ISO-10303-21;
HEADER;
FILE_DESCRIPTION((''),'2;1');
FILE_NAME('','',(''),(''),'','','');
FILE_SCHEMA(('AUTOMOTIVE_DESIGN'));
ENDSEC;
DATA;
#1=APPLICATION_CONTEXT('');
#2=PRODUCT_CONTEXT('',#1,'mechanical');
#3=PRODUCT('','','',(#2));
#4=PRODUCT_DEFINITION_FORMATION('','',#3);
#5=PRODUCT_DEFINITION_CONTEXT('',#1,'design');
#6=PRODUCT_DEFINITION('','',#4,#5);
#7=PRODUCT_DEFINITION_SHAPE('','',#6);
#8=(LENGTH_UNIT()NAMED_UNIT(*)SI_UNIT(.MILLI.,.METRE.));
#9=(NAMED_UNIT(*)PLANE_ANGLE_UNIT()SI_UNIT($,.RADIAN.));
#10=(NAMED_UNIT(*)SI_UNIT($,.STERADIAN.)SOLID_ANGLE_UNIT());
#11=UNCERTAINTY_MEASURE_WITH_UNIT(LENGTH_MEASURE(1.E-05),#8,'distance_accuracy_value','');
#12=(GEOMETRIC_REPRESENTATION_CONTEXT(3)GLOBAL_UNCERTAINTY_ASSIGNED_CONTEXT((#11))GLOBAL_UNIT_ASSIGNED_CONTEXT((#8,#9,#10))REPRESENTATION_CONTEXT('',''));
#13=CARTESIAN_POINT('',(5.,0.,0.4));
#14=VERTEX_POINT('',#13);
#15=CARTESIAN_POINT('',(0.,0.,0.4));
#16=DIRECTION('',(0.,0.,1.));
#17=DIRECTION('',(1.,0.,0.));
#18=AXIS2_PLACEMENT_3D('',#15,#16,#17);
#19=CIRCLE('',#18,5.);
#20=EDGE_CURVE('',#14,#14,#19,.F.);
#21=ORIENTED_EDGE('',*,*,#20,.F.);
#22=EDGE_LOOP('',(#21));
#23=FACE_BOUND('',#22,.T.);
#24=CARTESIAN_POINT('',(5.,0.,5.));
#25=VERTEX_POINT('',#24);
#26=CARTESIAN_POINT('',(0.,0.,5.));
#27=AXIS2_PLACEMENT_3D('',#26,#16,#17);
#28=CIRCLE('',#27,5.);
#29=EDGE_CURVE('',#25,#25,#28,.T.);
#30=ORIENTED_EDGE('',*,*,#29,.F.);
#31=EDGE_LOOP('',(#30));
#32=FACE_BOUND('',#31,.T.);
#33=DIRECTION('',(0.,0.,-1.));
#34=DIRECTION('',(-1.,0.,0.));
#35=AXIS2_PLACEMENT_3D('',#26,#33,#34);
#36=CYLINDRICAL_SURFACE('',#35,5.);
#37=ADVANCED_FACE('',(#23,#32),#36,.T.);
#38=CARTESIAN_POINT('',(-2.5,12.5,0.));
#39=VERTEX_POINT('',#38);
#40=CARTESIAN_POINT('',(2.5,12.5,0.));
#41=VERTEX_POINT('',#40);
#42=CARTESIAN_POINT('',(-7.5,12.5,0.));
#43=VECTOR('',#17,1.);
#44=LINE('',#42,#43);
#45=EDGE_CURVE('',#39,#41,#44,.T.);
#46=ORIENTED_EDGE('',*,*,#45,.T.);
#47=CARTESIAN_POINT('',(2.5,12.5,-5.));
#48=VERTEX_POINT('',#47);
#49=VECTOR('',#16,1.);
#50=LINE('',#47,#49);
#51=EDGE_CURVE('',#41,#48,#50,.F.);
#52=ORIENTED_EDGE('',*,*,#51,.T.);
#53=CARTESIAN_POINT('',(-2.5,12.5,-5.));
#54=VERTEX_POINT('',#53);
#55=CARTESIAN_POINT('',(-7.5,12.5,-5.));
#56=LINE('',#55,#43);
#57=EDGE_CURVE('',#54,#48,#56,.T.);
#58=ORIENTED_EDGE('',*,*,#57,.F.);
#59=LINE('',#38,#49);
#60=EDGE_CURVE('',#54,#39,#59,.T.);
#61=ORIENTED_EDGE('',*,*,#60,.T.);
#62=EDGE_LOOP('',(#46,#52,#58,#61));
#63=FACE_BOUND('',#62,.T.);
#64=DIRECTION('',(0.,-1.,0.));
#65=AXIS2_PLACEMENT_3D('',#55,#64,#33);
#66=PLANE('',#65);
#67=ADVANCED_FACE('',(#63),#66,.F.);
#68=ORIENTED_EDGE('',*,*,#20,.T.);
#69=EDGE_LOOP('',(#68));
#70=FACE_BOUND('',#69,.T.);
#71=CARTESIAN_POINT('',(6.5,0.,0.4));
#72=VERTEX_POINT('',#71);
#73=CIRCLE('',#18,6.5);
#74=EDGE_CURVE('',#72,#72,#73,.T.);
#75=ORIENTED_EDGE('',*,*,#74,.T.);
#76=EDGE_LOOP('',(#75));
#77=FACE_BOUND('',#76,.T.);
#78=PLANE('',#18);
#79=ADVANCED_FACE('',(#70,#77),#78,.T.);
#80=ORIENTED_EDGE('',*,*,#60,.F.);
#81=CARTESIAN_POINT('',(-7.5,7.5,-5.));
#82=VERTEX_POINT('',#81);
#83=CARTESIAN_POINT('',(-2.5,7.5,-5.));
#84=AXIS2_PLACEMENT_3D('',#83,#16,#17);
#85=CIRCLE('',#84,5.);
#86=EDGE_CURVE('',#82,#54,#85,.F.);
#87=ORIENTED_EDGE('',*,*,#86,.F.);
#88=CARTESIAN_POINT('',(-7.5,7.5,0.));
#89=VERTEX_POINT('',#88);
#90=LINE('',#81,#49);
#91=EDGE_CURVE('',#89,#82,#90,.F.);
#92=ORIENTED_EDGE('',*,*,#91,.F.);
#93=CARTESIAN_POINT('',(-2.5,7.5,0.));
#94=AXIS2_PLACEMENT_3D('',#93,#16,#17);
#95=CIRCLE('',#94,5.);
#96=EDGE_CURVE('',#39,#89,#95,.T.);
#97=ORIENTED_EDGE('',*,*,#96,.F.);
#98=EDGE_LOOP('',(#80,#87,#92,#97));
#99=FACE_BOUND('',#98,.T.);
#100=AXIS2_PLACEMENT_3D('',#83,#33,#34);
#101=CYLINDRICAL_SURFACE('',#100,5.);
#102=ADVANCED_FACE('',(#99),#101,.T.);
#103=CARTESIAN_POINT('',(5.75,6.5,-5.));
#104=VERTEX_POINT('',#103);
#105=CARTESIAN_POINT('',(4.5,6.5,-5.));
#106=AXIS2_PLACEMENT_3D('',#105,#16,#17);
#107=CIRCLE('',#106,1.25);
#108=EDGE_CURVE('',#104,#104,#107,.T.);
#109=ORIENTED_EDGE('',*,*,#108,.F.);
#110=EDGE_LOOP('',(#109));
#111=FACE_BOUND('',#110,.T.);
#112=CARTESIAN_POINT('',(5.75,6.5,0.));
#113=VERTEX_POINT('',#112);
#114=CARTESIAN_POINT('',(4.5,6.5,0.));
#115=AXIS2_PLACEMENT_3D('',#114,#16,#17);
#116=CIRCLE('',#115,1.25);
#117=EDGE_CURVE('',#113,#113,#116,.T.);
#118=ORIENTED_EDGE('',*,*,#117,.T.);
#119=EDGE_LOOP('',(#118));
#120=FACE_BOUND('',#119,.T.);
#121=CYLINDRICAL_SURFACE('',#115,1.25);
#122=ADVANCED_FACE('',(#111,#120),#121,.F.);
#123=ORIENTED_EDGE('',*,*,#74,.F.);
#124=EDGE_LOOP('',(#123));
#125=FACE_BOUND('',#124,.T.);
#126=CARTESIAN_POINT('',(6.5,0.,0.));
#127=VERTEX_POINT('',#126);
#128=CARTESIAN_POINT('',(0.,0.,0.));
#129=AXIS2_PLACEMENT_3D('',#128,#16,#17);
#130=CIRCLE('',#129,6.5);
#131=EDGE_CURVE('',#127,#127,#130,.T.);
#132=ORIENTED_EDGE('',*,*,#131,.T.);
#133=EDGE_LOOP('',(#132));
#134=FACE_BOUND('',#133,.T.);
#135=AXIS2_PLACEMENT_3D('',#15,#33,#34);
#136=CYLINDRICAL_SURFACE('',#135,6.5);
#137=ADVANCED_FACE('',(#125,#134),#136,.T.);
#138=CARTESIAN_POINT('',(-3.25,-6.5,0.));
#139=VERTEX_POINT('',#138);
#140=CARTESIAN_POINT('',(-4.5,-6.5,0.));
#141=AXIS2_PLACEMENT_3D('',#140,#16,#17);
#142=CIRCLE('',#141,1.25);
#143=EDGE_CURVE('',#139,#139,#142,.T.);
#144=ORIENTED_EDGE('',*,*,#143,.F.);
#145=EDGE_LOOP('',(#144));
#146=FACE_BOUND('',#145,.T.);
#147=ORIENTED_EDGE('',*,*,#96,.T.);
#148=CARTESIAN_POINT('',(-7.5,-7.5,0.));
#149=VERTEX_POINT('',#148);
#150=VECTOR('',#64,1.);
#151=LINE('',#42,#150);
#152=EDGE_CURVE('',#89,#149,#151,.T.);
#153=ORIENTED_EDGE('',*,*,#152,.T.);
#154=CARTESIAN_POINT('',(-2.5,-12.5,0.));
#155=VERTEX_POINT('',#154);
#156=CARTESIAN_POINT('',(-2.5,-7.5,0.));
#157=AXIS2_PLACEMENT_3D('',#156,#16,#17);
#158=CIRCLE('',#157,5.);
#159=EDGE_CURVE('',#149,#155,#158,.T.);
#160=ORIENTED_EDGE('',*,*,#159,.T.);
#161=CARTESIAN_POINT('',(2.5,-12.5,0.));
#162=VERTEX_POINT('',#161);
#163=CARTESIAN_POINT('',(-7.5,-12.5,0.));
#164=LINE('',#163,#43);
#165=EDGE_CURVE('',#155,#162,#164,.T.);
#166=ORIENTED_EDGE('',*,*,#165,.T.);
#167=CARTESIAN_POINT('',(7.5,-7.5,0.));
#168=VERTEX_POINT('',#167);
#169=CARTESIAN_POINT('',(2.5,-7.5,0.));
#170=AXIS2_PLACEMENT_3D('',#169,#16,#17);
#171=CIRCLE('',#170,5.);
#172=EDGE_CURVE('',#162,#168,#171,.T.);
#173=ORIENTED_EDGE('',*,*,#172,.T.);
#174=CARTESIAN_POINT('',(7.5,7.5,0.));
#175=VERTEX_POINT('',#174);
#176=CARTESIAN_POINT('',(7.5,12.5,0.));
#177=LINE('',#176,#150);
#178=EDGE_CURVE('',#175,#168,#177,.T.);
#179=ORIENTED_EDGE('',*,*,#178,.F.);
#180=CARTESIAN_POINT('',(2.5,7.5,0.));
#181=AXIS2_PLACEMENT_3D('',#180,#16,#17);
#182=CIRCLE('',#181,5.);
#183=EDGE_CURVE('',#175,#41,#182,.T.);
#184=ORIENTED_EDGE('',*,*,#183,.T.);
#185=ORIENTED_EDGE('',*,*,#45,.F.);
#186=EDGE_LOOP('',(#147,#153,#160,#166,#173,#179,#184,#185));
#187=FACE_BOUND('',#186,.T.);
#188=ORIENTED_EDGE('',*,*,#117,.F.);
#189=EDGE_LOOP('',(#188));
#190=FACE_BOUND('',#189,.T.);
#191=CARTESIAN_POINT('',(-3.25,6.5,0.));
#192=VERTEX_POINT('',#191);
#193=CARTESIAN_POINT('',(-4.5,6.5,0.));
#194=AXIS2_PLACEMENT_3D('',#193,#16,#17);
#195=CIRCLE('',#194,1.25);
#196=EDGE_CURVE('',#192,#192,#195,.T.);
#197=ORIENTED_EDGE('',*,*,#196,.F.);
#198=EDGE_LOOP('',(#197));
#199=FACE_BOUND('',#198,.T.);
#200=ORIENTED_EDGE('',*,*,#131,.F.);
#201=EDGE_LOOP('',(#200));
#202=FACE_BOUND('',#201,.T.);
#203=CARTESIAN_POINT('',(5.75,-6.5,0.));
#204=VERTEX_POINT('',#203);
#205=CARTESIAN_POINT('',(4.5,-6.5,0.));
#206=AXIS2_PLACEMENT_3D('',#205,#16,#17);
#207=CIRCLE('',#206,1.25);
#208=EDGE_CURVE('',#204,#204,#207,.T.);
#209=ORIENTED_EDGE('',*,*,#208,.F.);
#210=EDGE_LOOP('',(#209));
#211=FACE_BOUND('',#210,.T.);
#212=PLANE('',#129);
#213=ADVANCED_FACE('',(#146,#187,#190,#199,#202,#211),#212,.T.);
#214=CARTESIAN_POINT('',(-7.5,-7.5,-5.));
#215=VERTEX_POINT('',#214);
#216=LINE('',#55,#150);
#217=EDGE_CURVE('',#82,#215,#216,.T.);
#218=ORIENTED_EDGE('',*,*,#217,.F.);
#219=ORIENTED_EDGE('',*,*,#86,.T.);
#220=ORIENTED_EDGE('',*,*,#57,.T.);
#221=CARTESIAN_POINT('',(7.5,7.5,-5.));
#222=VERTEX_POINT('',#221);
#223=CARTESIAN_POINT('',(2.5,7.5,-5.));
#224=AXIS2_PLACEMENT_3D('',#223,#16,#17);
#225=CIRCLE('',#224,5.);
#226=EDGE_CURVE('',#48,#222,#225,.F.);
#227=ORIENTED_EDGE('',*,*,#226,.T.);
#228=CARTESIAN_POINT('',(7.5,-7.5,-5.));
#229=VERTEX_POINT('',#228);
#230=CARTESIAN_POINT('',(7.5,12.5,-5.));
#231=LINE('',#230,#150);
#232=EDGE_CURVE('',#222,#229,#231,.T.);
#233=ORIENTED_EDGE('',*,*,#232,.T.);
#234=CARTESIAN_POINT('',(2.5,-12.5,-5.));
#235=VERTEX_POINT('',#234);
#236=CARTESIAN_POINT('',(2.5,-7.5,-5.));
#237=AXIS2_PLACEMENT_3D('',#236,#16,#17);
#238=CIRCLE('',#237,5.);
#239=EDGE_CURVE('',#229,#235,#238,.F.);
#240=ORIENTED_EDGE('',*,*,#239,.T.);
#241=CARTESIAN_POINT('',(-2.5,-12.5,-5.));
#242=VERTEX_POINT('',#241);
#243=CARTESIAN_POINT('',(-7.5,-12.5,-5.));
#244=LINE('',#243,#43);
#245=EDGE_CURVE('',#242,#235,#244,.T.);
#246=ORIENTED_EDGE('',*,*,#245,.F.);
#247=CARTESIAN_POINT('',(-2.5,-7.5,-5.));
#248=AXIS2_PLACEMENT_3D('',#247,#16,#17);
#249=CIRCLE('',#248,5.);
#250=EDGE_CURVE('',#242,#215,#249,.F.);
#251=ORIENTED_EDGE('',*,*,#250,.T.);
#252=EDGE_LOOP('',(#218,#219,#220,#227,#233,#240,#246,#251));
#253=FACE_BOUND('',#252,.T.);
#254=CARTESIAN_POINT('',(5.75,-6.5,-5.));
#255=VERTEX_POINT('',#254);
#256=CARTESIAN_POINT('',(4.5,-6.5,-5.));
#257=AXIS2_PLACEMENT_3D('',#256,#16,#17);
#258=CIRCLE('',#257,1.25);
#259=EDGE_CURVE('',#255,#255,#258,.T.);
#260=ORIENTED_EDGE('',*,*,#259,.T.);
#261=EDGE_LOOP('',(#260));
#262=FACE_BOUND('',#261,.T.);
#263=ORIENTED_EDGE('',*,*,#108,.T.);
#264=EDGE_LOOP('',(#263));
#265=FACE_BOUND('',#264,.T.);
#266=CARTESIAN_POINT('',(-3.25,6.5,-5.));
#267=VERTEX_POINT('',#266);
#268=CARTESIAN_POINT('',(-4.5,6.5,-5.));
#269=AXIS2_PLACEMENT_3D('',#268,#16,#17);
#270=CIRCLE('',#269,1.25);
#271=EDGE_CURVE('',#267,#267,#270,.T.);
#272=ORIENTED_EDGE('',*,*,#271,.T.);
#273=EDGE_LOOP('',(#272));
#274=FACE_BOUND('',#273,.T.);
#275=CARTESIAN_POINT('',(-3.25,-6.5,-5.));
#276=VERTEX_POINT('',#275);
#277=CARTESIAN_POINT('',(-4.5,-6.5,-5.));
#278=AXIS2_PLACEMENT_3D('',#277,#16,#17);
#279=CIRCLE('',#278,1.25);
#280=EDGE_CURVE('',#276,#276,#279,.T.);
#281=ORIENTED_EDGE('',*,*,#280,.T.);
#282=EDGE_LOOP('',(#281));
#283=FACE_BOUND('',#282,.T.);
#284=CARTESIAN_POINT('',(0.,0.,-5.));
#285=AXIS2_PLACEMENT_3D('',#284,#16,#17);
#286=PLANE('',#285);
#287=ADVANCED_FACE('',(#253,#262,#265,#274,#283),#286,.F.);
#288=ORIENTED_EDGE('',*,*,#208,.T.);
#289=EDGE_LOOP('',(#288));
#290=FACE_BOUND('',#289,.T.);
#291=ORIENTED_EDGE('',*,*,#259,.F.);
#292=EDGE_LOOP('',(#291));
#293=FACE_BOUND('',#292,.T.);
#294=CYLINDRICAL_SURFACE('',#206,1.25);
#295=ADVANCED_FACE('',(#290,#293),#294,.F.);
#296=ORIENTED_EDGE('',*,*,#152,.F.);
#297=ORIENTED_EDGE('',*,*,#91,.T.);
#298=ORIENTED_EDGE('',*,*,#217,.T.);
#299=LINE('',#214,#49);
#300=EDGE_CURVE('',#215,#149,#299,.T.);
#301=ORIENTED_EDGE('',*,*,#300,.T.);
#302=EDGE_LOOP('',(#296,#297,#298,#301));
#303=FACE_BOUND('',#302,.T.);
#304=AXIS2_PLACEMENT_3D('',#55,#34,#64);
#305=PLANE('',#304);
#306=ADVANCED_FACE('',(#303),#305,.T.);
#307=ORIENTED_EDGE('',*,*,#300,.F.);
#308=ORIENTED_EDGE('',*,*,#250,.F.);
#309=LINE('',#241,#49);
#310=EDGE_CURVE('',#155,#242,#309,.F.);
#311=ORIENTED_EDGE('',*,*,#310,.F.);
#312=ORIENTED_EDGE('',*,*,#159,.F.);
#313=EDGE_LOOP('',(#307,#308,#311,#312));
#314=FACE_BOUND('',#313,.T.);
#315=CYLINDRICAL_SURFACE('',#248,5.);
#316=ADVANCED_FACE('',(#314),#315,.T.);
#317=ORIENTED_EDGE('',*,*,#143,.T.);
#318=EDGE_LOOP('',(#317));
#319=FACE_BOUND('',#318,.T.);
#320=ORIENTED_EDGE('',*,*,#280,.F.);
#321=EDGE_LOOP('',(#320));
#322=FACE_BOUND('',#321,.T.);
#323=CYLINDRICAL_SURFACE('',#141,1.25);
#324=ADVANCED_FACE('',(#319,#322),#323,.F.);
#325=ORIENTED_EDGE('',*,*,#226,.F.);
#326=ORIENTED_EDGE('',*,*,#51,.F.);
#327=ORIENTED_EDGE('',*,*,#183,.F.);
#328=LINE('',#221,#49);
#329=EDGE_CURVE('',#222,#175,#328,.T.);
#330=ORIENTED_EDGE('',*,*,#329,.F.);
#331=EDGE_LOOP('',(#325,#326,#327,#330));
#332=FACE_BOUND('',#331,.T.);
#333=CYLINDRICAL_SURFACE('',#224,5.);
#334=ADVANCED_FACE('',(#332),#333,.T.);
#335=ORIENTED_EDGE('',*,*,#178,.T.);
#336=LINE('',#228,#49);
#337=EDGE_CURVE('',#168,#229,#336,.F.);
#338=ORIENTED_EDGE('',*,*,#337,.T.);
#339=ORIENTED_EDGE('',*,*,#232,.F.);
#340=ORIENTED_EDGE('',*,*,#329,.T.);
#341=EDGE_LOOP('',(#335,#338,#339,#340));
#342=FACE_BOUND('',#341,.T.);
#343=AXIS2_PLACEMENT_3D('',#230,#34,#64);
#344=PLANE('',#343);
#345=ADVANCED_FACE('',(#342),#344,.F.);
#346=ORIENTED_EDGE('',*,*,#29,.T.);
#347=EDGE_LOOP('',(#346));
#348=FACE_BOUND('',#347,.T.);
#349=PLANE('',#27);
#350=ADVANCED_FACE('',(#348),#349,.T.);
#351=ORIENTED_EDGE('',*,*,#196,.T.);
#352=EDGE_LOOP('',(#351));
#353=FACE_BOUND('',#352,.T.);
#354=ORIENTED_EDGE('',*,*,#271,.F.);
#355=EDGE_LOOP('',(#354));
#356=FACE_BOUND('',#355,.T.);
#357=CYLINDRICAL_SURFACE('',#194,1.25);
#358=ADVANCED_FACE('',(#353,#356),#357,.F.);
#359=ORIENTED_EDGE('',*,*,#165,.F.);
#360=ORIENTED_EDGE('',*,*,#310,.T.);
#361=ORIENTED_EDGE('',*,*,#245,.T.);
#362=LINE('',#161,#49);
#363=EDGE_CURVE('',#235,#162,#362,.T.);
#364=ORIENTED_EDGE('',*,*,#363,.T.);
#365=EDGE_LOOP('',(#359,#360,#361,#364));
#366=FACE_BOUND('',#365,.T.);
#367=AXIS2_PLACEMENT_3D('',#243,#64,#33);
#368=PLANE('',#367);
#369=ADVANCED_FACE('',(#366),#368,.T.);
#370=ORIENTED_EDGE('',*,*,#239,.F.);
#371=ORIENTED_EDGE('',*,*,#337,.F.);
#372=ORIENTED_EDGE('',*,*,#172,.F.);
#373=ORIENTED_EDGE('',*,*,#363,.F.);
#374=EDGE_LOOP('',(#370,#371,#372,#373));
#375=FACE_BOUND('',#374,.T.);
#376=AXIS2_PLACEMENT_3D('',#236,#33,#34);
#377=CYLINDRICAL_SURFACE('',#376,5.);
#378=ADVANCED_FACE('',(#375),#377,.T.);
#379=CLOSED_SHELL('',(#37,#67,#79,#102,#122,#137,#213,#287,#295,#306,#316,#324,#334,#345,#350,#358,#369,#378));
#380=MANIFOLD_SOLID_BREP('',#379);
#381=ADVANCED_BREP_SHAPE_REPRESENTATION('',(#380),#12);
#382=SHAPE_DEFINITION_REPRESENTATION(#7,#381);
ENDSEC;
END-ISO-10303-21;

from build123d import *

# Parameters (mm, degrees)
SKETCH_1_W      = 15
SKETCH_1_H      = 25
EXTRUDE_1_DEPTH = 5
SKETCH_1_3_R    = 6.5
EXTRUDE_2_DEPTH = 0.4
SKETCH_1_4_R    = 5
EXTRUDE_3_DEPTH = 5
M3X0_5_1_D      = 2.5
FILLET_1_R      = 5


with BuildPart() as part:
    # ｽｹｯﾁ1 → ﾎﾞｽ - 押し出し1 (new body)
    with BuildSketch(Plane.XY):
        Rectangle(SKETCH_1_W, SKETCH_1_H)
    extrude(amount=-EXTRUDE_1_DEPTH)

    # ｽｹｯﾁ1<3> → ﾎﾞｽ - 押し出し2 (add)
    with BuildSketch(Plane.XY):
        Circle(SKETCH_1_3_R)
    extrude(amount=EXTRUDE_2_DEPTH)

    # ｽｹｯﾁ1<4> → ﾎﾞｽ - 押し出し3 (add)
    with BuildSketch(Plane.XY):
        Circle(SKETCH_1_4_R)
    extrude(amount=EXTRUDE_3_DEPTH)

    # M3x0.5 ねじ穴用ねじ下穴ﾄﾞﾘﾙ1 (through all)
    with Locations(Plane(origin=(-4.5, 6.5, 0), x_dir=(1, 0, 0), z_dir=(0, 0, 1))):
        with Locations((0, 0), (9, 0), (9, -13), (0, -13)):
            Hole(M3X0_5_1_D / 2)

    # ﾌｨﾚｯﾄ1
    fillet_1_edges = [part.edges().sort_by_distance(p)[0] for p in [
        (-7.5, 12.5, -2.5),
        (7.5, 12.5, -2.5),
        (7.5, -12.5, -2.5),
        (-7.5, -12.5, -2.5),
    ]]
    fillet(fillet_1_edges, radius=FILLET_1_R)


solid = part.part
